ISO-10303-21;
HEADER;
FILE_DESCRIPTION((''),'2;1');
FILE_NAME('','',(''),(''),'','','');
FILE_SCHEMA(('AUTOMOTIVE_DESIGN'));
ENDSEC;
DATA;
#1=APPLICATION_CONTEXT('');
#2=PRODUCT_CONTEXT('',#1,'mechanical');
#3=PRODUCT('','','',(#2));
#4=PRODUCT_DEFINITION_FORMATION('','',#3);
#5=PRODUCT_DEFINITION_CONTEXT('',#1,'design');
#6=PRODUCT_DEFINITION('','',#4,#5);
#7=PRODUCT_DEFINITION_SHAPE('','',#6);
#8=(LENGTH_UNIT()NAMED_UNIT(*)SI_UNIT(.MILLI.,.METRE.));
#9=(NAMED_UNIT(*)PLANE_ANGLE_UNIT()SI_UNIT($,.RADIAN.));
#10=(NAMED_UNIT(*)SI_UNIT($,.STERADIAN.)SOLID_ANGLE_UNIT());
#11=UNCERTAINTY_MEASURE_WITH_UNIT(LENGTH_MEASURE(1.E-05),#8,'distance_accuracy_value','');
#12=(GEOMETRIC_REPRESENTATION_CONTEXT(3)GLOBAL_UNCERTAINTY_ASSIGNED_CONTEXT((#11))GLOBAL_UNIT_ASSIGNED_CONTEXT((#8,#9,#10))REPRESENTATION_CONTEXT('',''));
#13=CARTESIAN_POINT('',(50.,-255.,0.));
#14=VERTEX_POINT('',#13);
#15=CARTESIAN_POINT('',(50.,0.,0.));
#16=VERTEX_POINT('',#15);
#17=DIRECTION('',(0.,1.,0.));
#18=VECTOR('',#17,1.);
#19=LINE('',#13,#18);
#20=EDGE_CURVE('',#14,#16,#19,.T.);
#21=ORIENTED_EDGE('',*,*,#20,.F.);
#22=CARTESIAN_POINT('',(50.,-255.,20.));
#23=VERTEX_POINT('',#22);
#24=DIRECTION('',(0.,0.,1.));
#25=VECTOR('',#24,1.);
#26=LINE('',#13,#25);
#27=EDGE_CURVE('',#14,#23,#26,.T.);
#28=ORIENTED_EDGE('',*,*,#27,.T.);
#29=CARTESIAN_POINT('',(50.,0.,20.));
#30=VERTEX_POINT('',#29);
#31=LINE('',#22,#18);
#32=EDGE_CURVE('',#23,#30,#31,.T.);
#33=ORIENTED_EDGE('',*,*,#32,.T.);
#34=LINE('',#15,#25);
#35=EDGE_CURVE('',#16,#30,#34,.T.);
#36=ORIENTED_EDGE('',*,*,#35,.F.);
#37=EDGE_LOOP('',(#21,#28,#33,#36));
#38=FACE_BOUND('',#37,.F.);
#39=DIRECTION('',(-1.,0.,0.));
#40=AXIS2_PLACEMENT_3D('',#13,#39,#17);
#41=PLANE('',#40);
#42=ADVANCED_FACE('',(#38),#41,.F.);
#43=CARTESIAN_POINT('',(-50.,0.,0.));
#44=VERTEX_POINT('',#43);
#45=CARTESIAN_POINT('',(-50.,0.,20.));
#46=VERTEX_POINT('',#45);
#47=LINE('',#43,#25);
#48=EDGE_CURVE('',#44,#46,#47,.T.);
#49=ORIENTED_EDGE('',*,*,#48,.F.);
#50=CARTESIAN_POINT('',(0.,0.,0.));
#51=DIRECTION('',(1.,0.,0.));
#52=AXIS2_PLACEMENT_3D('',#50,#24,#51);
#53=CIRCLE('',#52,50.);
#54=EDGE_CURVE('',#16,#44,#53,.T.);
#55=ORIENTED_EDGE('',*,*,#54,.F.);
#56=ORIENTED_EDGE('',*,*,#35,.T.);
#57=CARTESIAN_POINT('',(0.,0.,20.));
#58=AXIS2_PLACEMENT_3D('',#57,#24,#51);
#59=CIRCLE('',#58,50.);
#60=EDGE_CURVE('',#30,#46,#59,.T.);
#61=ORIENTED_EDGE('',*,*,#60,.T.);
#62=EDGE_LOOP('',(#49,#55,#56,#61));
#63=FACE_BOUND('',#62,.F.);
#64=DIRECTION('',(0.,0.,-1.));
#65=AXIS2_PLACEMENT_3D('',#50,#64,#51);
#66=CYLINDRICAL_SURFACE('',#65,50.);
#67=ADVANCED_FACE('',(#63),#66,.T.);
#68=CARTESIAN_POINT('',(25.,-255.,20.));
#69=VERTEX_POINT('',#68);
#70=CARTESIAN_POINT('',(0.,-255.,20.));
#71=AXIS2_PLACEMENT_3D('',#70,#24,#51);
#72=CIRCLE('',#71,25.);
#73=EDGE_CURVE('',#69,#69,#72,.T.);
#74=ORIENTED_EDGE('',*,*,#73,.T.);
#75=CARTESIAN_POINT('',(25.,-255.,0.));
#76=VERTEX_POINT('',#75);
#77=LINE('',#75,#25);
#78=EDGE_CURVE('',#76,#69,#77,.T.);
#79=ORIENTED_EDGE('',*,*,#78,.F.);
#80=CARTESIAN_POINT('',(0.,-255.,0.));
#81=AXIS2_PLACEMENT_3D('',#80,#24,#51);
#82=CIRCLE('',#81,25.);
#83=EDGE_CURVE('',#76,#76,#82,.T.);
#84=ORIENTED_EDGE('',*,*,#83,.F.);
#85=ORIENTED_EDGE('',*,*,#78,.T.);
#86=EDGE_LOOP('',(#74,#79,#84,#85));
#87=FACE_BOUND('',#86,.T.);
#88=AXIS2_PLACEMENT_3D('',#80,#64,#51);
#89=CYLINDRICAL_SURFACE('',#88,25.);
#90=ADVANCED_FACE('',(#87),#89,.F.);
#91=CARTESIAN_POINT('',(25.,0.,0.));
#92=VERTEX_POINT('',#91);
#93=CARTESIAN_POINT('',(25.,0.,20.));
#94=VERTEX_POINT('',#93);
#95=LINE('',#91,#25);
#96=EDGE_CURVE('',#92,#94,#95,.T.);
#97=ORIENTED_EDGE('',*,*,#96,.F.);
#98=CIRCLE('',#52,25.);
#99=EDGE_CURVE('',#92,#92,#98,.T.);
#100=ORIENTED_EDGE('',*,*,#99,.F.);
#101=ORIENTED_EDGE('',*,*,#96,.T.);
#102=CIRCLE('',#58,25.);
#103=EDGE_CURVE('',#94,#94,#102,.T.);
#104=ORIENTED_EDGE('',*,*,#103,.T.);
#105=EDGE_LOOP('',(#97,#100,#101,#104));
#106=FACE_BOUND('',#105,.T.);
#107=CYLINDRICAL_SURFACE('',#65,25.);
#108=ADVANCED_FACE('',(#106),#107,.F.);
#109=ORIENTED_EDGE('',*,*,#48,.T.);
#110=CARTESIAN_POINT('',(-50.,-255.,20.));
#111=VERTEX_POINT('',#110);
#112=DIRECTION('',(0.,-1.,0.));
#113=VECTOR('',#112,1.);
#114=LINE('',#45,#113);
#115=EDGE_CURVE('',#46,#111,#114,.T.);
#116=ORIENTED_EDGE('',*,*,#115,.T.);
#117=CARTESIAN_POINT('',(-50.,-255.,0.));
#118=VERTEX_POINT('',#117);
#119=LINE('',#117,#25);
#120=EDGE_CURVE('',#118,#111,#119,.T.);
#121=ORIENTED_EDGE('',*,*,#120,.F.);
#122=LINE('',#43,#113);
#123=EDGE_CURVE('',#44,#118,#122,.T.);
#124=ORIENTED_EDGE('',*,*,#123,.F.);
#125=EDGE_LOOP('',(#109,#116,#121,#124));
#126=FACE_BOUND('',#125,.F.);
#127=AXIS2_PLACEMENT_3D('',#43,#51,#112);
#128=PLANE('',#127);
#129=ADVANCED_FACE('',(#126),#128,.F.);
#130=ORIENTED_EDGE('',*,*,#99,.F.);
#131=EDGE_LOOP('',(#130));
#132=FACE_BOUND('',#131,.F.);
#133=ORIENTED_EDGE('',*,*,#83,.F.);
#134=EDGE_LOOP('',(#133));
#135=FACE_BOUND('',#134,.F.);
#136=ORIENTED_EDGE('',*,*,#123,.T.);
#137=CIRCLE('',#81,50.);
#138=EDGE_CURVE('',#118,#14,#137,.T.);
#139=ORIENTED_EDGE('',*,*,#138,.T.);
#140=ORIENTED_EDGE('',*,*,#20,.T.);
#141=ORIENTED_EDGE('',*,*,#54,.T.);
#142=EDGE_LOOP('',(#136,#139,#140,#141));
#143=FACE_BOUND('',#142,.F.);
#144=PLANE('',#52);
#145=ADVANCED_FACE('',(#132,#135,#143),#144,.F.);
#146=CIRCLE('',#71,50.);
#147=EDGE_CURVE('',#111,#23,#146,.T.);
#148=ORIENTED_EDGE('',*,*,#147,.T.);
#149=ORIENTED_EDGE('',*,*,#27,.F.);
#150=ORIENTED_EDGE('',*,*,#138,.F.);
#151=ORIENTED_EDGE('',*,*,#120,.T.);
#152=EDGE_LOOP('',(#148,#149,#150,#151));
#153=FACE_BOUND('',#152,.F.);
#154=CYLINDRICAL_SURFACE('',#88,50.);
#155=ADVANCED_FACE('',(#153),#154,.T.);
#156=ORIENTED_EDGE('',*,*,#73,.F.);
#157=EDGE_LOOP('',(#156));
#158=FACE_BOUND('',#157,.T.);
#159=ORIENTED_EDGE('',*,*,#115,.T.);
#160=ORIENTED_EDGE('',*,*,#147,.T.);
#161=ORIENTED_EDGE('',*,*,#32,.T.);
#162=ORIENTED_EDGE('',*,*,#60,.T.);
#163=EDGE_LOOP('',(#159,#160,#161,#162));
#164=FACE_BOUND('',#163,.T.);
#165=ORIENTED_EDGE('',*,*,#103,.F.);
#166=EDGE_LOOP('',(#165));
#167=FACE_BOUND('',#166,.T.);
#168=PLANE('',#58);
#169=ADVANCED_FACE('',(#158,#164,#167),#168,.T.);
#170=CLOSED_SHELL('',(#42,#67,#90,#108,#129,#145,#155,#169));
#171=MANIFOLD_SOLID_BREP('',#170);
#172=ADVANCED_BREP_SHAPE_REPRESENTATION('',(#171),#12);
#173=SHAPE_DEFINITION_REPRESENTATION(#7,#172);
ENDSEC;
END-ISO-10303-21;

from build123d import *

# Parameters (mm, degrees)
F0_R     = 25
F1_DEPTH = 20


with BuildPart() as f1:
    # F0 (on Top) → F1 (new body)
    with BuildSketch(Plane.XY):
        with BuildLine():
            ThreePointArc((-50, 0), (0, -50), (50, 0))
            ThreePointArc((50, 0), (0, 50), (-50, 0))
        make_face()
        Circle(F0_R, mode=Mode.SUBTRACT)
        with BuildLine():
            Line((50, -255), (50, 0))
            ThreePointArc((50, 0), (0, -50), (-50, 0))
            Line((-50, 0), (-50, -255))
            ThreePointArc((-50, -255), (0, -205), (50, -255))
        make_face()
        with BuildLine():
            ThreePointArc((-50, -255), (0, -305), (50, -255))
            ThreePointArc((50, -255), (0, -205), (-50, -255))
        make_face()
        with Locations((0, -255)):
            Circle(F0_R, mode=Mode.SUBTRACT)
    extrude(amount=F1_DEPTH)


solid = f1.part
